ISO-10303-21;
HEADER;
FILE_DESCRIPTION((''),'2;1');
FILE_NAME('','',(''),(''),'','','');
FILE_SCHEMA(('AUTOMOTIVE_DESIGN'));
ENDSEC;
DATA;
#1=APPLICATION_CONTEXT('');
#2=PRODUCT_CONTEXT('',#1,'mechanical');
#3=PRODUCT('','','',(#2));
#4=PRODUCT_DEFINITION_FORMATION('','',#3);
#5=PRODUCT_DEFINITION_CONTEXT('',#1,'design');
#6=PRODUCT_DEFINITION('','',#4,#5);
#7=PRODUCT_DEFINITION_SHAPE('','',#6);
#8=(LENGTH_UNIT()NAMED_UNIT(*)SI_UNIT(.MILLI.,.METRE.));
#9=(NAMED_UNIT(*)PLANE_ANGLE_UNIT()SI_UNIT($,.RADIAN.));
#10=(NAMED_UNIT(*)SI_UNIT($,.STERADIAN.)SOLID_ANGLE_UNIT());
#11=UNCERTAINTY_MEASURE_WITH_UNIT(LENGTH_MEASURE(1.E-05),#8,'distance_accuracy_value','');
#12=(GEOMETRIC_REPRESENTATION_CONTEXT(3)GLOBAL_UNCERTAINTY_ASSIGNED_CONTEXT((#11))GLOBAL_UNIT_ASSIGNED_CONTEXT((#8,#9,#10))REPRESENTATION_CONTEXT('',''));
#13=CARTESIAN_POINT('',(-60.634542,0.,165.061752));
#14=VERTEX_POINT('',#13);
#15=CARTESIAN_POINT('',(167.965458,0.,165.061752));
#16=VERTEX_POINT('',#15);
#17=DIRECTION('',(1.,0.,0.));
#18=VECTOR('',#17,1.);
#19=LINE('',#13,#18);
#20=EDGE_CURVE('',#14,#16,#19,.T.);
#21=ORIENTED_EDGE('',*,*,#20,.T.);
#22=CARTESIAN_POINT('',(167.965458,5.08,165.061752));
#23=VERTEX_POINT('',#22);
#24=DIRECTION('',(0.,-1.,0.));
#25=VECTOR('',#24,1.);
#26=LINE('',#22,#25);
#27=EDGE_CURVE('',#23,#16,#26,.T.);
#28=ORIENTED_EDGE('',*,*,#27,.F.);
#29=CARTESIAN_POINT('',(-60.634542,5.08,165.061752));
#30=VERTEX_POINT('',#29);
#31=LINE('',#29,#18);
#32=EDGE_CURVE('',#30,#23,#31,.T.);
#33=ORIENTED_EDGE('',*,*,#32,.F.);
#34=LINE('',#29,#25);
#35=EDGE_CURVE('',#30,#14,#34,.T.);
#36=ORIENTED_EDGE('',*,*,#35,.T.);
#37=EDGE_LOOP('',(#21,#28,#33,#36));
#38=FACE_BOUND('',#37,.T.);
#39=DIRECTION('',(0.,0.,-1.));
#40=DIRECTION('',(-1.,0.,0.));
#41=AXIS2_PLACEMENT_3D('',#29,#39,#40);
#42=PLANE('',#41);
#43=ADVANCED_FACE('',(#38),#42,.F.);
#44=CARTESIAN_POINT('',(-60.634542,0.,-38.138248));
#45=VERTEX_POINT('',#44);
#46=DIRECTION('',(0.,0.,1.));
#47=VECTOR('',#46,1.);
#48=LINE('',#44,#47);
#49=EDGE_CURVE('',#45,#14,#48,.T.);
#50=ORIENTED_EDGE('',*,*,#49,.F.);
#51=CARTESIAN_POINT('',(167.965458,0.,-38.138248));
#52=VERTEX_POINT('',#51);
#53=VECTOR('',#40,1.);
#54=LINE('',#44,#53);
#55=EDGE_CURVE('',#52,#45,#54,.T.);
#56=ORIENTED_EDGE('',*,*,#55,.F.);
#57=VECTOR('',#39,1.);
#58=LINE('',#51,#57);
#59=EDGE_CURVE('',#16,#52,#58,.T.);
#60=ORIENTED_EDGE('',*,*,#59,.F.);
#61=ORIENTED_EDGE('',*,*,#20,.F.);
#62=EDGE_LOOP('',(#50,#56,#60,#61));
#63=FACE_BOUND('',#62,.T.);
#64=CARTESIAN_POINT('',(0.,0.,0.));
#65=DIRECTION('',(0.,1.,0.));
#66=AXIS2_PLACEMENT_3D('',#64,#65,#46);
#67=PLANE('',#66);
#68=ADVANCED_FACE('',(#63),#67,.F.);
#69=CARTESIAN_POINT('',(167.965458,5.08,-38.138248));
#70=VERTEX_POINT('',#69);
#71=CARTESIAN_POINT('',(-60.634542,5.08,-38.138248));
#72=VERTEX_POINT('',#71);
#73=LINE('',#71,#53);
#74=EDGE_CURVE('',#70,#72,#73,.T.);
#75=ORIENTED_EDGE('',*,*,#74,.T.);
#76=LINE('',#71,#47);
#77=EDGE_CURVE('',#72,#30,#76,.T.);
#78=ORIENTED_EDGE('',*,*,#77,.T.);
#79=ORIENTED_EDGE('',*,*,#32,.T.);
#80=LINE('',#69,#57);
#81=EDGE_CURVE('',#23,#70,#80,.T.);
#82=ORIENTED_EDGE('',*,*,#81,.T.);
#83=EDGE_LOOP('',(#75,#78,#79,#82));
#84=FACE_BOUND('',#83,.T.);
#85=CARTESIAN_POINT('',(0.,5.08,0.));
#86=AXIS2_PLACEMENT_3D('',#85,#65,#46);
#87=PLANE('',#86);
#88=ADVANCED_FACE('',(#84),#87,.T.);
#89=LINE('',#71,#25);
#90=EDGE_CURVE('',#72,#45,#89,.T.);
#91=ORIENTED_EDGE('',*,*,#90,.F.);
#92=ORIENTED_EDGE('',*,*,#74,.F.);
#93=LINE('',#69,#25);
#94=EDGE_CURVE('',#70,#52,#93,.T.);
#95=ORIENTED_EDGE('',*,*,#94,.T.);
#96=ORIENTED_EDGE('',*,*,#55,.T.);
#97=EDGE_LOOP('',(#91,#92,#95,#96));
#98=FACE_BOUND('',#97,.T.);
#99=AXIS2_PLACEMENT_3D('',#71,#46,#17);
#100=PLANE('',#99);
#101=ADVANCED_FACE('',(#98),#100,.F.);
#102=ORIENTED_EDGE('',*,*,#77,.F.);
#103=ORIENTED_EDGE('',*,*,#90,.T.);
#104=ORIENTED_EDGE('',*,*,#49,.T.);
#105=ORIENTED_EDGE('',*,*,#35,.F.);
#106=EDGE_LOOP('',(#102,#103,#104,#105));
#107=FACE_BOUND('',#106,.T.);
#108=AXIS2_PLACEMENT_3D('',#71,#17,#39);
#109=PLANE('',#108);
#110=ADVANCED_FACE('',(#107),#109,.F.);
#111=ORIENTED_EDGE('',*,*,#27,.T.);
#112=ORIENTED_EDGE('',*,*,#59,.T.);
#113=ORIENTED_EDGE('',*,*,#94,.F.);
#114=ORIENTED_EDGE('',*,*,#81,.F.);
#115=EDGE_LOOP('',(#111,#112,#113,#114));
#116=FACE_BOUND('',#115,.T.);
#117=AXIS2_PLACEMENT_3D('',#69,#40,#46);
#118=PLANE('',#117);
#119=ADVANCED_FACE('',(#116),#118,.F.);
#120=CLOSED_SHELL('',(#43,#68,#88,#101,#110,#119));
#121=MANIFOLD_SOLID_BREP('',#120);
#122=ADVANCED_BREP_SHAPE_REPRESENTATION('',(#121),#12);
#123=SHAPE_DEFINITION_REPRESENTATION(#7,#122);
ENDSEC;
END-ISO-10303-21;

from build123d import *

# Parameters (mm, degrees)
SKETCH1_W           = 228.6
SKETCH1_H           = 203.2
BOSS_EXTRUDE1_DEPTH = 5.08


with BuildPart() as part:
    # Sketch1 → Boss-Extrude1 (new body)
    with BuildSketch(Plane(origin=(0, 0, 0), x_dir=(1, 0, 0), z_dir=(0, 1, 0))):
        with Locations((53.665458187, -63.461751961)):
            Rectangle(SKETCH1_W, SKETCH1_H)
    extrude(amount=BOSS_EXTRUDE1_DEPTH)


solid = part.part
